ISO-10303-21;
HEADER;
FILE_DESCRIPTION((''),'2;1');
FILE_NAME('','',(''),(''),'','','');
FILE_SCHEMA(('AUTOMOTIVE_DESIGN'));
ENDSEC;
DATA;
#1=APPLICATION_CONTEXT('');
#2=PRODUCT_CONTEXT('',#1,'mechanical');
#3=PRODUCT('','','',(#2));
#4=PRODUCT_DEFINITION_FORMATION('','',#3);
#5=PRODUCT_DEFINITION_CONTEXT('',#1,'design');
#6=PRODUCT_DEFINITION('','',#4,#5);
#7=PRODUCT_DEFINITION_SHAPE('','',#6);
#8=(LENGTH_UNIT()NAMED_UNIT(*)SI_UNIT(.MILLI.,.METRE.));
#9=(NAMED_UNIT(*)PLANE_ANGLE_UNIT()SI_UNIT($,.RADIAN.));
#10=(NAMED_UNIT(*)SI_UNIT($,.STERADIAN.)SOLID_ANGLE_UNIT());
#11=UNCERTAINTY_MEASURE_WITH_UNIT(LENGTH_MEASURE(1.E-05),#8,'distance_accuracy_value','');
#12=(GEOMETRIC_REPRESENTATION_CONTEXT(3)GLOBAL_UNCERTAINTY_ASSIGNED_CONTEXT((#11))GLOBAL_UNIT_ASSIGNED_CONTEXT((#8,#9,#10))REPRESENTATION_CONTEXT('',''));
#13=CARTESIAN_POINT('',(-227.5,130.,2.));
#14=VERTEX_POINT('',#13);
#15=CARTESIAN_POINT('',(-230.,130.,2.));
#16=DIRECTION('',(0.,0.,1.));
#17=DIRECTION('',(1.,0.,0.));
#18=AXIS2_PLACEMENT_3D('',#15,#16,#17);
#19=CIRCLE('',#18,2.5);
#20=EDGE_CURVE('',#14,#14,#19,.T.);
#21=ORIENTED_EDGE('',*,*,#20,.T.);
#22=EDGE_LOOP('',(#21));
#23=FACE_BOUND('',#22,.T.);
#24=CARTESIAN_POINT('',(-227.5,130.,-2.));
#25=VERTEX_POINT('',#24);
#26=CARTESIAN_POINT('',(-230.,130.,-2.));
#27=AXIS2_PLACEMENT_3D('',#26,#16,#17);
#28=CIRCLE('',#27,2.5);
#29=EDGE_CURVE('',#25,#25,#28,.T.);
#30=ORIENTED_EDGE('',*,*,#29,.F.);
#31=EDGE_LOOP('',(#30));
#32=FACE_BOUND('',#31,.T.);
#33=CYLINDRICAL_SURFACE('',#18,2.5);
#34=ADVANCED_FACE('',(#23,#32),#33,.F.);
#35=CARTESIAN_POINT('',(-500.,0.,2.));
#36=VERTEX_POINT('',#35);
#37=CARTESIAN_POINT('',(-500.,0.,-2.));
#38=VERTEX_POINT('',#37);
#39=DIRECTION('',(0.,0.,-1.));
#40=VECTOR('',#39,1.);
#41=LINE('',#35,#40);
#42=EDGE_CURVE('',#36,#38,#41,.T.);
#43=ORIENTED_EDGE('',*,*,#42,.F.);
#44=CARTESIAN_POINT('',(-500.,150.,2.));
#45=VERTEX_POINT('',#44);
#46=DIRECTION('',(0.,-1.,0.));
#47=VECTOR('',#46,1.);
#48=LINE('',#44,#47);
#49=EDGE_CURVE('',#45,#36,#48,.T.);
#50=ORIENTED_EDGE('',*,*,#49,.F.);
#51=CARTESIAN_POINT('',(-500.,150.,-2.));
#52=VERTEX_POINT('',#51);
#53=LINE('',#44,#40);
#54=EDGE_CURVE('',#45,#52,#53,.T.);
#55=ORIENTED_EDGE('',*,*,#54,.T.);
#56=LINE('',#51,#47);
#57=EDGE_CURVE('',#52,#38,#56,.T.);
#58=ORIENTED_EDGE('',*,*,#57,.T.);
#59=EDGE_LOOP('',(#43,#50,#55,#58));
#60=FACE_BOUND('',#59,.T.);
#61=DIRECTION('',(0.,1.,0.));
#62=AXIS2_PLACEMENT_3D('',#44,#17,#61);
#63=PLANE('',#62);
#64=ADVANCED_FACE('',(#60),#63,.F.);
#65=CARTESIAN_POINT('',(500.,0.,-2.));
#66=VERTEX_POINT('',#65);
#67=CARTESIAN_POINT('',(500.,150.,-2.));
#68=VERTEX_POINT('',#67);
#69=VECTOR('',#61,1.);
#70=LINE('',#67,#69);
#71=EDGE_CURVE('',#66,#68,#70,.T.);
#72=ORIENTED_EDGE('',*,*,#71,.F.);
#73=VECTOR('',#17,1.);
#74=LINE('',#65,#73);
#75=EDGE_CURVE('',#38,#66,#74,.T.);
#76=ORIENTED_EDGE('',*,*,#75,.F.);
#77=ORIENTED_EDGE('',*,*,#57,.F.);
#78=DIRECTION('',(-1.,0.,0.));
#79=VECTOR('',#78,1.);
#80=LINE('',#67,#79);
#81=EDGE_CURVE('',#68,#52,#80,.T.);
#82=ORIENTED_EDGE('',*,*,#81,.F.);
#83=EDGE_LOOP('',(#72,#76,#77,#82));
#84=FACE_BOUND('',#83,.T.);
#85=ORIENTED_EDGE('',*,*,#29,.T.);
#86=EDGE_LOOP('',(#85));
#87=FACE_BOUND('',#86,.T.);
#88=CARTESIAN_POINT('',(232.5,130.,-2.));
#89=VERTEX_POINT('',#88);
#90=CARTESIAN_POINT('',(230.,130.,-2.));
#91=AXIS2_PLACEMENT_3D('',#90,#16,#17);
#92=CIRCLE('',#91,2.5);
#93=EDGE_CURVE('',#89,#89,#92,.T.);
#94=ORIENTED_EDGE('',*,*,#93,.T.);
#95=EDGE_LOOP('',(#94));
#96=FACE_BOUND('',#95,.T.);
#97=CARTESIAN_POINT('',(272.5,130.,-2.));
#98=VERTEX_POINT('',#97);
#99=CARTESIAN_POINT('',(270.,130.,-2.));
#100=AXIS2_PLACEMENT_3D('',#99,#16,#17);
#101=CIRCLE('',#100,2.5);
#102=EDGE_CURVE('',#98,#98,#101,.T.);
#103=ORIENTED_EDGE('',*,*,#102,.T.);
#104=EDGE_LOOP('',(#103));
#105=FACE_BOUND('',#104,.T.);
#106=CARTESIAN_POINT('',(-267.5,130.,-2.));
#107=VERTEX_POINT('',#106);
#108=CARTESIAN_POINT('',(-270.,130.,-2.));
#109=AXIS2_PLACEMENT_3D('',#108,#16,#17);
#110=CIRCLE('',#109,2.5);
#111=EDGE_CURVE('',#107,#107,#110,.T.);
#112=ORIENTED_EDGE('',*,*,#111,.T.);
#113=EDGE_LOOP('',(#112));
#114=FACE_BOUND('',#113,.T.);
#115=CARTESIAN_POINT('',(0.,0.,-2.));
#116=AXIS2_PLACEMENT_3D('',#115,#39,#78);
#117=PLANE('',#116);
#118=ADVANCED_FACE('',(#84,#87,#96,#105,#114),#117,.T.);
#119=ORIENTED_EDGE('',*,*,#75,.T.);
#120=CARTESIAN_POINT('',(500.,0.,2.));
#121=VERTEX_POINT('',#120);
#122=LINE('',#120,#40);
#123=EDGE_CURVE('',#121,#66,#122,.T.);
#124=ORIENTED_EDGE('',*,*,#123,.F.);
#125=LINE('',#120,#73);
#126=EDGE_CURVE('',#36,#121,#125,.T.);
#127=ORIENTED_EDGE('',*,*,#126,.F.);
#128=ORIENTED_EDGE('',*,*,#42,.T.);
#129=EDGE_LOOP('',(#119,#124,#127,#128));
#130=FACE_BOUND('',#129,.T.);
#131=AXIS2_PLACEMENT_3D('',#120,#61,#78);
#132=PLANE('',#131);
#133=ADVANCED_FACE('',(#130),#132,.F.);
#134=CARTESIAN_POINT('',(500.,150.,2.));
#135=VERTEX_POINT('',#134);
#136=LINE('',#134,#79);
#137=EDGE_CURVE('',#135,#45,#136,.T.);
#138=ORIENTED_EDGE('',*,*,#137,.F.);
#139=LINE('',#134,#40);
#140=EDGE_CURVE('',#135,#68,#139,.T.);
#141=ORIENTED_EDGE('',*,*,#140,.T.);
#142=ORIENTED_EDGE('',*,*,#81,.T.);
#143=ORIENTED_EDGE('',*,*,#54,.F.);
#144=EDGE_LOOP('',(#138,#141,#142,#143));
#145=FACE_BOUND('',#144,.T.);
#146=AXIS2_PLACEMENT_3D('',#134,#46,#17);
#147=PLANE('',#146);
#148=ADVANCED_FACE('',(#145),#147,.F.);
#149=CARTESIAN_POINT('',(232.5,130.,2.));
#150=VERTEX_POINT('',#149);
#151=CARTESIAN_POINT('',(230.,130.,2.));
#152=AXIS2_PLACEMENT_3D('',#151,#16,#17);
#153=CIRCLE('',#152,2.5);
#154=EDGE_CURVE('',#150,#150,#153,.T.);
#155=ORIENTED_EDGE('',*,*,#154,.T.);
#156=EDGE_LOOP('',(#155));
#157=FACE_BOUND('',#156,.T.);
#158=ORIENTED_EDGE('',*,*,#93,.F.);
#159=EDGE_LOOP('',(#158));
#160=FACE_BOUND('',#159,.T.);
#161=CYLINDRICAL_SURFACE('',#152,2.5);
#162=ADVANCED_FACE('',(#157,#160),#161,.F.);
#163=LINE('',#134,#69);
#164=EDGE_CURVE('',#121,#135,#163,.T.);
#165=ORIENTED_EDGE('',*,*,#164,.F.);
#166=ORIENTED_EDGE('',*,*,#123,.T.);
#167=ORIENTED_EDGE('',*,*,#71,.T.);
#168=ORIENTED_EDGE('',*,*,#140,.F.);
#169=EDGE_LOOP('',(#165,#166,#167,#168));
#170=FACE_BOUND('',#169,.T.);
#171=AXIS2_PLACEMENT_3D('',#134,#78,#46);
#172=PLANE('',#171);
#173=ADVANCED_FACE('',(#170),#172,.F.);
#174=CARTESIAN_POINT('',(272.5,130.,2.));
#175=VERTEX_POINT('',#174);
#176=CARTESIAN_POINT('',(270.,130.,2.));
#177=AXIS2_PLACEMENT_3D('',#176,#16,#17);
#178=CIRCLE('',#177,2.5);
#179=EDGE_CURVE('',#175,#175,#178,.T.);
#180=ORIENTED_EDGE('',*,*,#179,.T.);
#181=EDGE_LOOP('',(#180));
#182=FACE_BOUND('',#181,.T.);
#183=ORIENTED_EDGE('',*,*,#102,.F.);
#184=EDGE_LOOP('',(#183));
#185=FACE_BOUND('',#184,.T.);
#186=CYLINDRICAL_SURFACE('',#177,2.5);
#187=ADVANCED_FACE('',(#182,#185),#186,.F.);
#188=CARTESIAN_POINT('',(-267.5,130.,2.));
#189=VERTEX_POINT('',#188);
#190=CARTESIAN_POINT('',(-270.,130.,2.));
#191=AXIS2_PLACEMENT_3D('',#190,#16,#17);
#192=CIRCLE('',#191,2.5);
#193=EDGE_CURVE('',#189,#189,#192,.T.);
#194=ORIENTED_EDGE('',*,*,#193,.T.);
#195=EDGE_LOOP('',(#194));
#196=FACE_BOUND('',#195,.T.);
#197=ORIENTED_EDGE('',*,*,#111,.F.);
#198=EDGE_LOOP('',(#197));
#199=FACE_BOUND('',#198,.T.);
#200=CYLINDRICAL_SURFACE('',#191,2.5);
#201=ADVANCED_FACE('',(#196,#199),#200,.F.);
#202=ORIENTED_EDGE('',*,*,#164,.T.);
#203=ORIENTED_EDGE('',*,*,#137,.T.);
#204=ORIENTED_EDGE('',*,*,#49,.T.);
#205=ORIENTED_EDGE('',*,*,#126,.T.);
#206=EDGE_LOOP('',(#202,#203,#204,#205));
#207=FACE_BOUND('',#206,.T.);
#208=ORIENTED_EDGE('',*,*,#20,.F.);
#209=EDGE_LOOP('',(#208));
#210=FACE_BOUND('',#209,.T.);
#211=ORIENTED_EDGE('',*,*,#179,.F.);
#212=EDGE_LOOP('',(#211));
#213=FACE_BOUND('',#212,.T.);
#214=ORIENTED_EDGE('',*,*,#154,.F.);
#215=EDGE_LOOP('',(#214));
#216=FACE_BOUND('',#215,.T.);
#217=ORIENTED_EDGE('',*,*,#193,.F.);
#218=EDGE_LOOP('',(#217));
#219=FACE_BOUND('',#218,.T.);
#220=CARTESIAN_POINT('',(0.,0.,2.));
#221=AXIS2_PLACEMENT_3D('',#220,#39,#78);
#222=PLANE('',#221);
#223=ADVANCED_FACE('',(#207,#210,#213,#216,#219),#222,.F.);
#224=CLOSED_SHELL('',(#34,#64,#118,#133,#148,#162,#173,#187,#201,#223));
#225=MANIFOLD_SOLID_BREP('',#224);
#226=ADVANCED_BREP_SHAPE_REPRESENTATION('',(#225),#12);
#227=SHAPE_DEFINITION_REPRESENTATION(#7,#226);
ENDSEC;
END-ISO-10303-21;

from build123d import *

# Parameters (mm, degrees)
SKETCH2_W               = 1000
SKETCH2_H               = 150
BOSS_EXTRUDE1_DEPTH     = 2
TAP_DRILL_FOR_M6_TAP1_D = 5


with BuildPart() as part:
    # Sketch2 → Boss-Extrude1 (new, symmetric)
    with BuildSketch(Plane.XY):
        with Locations((0, 75)):
            Rectangle(SKETCH2_W, SKETCH2_H)
    extrude(amount=BOSS_EXTRUDE1_DEPTH, both=True)

    # Tap Drill for M6 Tap1 (through all)
    with Locations(Plane.XY.offset(2)):
        with Locations((270, 130), (-270, 130), (-230, 130), (230, 130)):
            Hole(TAP_DRILL_FOR_M6_TAP1_D / 2)


solid = part.part
